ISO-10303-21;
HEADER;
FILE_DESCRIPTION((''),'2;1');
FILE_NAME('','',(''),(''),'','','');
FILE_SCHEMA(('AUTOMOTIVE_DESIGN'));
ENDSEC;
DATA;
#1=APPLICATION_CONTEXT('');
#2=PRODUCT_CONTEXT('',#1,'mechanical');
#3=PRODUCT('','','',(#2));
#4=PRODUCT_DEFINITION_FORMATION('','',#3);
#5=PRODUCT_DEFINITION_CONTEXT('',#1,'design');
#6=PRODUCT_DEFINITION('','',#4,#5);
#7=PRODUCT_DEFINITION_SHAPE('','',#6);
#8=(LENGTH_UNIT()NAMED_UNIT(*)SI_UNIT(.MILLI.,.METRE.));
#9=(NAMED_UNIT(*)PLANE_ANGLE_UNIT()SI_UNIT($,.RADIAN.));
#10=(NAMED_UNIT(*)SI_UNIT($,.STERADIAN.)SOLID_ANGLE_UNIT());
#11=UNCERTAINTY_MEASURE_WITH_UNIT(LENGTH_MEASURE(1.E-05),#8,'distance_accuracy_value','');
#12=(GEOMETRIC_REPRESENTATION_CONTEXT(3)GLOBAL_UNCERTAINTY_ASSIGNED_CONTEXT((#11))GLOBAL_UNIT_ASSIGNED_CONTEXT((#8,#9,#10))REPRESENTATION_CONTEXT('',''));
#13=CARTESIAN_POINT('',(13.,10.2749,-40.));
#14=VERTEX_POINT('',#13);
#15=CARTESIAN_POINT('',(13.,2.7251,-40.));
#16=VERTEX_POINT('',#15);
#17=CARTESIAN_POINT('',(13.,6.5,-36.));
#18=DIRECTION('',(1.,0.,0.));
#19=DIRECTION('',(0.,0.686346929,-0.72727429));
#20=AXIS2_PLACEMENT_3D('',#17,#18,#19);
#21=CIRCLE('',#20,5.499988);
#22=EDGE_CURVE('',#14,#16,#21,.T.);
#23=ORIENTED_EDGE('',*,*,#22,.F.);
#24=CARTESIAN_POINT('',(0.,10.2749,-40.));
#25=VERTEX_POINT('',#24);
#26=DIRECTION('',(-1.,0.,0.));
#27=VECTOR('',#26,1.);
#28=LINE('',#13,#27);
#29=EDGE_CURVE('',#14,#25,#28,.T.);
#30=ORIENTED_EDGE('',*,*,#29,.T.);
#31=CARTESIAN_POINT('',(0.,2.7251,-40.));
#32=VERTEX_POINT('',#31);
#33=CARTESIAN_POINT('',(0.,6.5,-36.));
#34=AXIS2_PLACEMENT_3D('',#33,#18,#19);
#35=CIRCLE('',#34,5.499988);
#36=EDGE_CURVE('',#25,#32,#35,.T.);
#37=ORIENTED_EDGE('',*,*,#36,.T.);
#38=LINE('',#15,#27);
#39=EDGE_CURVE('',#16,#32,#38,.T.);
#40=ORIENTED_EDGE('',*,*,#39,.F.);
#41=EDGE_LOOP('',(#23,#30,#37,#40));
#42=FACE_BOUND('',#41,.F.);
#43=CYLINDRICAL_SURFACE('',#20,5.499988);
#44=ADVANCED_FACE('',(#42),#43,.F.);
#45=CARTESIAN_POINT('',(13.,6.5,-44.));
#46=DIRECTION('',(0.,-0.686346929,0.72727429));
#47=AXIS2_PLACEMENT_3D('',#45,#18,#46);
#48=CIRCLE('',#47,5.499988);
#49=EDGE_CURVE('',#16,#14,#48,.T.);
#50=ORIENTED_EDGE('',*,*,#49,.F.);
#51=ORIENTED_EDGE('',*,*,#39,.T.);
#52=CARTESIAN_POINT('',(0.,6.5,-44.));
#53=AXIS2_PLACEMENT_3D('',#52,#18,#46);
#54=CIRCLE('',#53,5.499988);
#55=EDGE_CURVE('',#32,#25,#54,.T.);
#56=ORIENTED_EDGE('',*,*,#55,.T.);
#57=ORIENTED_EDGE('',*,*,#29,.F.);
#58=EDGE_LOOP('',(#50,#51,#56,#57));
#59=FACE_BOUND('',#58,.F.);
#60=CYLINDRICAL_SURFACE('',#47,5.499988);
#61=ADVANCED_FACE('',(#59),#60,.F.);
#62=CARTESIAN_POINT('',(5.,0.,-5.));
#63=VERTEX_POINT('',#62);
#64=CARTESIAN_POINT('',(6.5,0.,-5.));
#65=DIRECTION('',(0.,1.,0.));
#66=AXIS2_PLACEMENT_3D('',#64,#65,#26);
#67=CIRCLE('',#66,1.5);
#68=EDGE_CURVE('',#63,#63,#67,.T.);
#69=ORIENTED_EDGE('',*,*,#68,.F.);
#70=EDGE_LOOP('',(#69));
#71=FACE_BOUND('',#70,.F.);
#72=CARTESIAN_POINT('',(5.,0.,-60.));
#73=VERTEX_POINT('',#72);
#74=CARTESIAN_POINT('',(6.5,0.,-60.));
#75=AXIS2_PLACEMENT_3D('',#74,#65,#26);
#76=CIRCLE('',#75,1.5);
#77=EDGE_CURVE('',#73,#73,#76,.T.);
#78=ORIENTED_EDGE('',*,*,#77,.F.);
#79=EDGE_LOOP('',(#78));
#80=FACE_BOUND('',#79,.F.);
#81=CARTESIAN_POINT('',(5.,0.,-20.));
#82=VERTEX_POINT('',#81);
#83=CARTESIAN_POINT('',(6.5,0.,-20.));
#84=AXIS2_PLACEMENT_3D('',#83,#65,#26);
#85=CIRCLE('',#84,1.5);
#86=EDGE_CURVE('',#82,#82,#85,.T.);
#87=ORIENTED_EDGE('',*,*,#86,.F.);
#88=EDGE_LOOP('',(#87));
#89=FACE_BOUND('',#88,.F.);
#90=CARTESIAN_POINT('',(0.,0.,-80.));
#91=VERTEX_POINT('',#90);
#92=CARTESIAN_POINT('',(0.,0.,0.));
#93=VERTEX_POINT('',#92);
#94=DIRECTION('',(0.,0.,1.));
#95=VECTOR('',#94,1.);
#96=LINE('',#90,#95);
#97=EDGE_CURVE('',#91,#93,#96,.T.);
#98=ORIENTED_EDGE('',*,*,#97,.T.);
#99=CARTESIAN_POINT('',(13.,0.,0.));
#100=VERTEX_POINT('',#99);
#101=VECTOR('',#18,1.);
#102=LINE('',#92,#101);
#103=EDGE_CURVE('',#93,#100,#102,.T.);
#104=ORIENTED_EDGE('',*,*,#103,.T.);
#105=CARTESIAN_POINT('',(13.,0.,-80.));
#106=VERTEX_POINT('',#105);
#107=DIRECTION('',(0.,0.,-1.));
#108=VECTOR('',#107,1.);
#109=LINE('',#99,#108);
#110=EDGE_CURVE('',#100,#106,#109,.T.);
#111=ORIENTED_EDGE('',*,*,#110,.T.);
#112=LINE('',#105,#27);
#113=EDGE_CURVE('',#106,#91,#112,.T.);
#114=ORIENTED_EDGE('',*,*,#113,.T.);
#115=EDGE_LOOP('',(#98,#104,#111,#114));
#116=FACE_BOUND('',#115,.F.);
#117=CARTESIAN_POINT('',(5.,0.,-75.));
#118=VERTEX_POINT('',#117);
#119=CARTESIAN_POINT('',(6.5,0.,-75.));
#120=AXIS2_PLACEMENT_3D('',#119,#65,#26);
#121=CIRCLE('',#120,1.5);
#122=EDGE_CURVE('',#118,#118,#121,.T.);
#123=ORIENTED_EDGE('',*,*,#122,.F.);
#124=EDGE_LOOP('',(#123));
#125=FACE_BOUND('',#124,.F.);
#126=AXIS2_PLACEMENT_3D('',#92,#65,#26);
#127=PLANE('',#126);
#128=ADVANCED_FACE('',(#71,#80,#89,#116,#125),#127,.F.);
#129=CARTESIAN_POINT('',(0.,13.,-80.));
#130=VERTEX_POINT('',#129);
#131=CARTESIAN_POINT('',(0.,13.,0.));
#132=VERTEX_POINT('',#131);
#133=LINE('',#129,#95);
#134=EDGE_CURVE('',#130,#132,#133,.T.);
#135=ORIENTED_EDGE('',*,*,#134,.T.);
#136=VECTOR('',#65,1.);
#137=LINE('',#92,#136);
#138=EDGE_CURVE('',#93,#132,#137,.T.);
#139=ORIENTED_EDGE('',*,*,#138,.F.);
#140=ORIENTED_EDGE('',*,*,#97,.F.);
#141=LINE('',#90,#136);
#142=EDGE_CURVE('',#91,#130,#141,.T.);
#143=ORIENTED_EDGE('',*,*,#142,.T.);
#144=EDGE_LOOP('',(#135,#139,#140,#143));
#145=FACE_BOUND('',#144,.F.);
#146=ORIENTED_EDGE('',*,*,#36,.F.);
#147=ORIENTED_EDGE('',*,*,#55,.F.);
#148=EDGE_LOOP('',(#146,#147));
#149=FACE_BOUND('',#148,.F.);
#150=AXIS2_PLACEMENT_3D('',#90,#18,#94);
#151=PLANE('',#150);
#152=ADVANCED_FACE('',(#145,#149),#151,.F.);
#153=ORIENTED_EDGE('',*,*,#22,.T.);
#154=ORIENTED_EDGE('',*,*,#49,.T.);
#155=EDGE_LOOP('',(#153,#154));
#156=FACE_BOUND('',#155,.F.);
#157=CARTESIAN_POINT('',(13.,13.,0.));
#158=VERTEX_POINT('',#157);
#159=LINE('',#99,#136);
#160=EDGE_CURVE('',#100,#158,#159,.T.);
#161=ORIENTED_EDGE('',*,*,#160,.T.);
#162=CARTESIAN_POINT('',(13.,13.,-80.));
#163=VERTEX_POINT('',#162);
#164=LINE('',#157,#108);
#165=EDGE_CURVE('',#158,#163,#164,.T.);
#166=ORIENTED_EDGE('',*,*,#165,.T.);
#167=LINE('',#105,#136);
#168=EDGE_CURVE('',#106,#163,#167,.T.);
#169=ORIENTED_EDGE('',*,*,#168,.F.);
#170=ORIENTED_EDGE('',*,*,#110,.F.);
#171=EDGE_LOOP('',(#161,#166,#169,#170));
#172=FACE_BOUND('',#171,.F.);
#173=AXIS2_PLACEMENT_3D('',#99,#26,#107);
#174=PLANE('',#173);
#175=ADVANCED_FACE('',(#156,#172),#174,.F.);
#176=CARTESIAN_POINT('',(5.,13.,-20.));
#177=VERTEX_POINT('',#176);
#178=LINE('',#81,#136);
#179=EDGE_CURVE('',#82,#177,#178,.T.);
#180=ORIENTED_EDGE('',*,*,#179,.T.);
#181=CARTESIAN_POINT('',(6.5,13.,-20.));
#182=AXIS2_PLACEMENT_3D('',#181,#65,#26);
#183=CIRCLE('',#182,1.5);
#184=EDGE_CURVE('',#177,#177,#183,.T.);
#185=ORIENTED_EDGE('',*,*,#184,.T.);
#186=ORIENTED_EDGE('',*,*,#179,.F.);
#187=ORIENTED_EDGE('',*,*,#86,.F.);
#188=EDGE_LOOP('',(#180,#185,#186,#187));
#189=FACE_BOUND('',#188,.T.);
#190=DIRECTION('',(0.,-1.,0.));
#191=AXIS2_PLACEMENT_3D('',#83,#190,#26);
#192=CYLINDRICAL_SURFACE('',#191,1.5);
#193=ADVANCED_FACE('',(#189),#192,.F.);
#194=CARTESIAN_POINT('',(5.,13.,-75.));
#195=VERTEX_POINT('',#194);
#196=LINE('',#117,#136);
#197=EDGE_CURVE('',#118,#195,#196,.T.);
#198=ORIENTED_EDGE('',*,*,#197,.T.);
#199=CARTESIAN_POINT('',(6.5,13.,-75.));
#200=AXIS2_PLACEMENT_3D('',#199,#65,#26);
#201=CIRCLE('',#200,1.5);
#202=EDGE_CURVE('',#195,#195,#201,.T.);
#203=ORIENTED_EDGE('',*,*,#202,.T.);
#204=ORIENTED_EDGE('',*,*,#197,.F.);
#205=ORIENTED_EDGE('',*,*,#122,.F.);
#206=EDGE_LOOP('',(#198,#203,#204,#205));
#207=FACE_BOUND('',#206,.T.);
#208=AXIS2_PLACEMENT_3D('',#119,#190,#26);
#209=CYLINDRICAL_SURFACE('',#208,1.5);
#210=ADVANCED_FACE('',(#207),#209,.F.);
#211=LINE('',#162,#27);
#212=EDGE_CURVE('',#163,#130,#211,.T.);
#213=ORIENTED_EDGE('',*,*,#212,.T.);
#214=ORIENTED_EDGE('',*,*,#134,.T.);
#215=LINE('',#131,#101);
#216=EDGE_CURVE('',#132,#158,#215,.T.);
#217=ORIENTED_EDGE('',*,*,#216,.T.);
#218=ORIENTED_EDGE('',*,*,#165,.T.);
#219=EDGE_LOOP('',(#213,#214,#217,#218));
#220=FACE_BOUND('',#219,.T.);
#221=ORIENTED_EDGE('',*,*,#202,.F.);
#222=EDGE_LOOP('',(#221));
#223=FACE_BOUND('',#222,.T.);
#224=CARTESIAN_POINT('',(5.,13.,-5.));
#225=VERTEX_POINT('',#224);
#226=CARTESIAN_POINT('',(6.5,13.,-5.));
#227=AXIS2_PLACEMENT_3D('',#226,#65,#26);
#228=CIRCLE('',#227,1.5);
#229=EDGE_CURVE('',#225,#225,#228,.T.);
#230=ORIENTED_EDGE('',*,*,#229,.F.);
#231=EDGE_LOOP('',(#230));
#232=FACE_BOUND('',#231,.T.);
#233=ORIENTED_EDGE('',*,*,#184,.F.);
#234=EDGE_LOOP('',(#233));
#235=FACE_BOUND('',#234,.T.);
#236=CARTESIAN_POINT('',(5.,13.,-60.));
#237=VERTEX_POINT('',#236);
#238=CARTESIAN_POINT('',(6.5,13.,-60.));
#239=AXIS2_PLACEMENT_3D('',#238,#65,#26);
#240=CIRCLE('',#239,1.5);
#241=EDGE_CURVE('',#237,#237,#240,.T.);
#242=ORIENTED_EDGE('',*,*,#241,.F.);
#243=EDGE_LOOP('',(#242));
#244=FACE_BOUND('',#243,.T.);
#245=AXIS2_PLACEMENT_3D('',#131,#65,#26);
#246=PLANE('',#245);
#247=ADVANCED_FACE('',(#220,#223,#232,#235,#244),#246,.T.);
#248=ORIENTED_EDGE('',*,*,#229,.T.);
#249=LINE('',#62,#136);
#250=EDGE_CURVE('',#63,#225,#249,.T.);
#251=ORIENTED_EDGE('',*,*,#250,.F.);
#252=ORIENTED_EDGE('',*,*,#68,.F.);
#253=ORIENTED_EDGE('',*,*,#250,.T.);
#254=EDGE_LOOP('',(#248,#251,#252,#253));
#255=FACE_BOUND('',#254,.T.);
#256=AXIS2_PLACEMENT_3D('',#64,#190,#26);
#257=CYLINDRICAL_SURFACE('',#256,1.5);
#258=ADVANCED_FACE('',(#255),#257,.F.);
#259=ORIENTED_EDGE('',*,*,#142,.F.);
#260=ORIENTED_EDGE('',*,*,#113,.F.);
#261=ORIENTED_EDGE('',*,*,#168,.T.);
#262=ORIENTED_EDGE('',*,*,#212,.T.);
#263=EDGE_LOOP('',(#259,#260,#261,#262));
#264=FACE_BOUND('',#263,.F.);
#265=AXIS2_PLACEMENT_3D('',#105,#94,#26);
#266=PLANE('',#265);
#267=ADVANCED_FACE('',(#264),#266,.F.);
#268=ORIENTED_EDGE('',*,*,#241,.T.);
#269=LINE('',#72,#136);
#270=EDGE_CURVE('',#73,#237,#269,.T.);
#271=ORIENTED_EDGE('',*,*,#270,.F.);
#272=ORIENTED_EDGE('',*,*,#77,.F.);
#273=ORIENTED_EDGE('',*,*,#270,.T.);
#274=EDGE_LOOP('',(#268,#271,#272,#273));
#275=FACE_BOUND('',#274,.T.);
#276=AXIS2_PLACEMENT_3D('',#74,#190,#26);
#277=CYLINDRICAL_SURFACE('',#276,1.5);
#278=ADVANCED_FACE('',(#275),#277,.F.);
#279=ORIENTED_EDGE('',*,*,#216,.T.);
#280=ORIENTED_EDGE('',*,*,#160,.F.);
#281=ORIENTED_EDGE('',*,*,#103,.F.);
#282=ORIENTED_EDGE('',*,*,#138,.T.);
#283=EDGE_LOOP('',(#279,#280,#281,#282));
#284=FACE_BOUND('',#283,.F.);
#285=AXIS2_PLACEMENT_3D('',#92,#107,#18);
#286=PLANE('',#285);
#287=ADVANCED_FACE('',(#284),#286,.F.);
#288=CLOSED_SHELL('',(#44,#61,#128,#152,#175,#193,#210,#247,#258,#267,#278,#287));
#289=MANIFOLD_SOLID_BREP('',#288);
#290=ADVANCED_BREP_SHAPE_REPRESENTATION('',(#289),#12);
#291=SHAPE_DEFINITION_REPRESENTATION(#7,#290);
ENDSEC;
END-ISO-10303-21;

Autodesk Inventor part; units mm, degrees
ref_plane "YZ Plane" through (0, 0, 0) normal (1, 0, 0) x (0, 1, 0)
ref_plane "XZ Plane" through (0, 0, 0) normal (0, 1, 0) x (-1, 0, 0)
ref_plane "XY Plane" through (0, 0, 0) normal (0, 0, 1) x (1, 0, 0)
sketch "Sketch1" plane through (0, 0, 0) normal (0, 1, 0) x (-1, 0, 0)
  line L0 (0, 0) -> (-13, 0)
  line L1 (0, 0) -> (-13, 0)
  line L2 (-13, 0) -> (-13, -80)
  line L3 (-13, -80) -> (0, -80)
  line L4 (0, -80) -> (0, 0)
  circle A0 centre (-6.5, -5) radius 1.5
  circle A1 centre (-6.5, -20) radius 1.5
  circle A2 centre (-6.5, -75) radius 1.5
  circle A3 centre (-6.5, -60) radius 1.5
  dimension "d1" = 13
  dimension "d2" = 80
  dimension "d4" = 3
  dimension "d6" = 3
extrude "Extrusion1" add sketch "Sketch1" along normal blind 13
sketch "Sketch2" plane through (13, 0, 0) normal (1, 0, 0) x (0, 0, -1)
  line L0 (0, 13) -> (80, 13) projected
  line L1 (40, 13) -> (40, 0)
  line L2 (0, 0) -> (80, 0) projected
  arc A0 (40, 10.2749) -> (40, 2.7251) centre (36, 6.5) ccw
  arc A1 (40, 2.7251) -> (40, 10.2749) centre (44, 6.5) ccw
  dimension "d10" = 11
extrude "Extrusion2" cut sketch "Sketch2" against normal blind 13
sketch "Sketch3" plane through (0, 13, 0) normal (0, 1, 0) x (1, 0, 0)
  line L0 (13, 80) -> (0, 80) projected
  circle A0 centre (6.5, 75) radius 1.5 projected
  line L1 (13, 0) -> (13, 80) projected
  point P0 (0, 0)
  point P1 (6.5, 80)
  dimension "d13" = 5
  dimension "d14" = 6.5
properties part number "cella di carico"
